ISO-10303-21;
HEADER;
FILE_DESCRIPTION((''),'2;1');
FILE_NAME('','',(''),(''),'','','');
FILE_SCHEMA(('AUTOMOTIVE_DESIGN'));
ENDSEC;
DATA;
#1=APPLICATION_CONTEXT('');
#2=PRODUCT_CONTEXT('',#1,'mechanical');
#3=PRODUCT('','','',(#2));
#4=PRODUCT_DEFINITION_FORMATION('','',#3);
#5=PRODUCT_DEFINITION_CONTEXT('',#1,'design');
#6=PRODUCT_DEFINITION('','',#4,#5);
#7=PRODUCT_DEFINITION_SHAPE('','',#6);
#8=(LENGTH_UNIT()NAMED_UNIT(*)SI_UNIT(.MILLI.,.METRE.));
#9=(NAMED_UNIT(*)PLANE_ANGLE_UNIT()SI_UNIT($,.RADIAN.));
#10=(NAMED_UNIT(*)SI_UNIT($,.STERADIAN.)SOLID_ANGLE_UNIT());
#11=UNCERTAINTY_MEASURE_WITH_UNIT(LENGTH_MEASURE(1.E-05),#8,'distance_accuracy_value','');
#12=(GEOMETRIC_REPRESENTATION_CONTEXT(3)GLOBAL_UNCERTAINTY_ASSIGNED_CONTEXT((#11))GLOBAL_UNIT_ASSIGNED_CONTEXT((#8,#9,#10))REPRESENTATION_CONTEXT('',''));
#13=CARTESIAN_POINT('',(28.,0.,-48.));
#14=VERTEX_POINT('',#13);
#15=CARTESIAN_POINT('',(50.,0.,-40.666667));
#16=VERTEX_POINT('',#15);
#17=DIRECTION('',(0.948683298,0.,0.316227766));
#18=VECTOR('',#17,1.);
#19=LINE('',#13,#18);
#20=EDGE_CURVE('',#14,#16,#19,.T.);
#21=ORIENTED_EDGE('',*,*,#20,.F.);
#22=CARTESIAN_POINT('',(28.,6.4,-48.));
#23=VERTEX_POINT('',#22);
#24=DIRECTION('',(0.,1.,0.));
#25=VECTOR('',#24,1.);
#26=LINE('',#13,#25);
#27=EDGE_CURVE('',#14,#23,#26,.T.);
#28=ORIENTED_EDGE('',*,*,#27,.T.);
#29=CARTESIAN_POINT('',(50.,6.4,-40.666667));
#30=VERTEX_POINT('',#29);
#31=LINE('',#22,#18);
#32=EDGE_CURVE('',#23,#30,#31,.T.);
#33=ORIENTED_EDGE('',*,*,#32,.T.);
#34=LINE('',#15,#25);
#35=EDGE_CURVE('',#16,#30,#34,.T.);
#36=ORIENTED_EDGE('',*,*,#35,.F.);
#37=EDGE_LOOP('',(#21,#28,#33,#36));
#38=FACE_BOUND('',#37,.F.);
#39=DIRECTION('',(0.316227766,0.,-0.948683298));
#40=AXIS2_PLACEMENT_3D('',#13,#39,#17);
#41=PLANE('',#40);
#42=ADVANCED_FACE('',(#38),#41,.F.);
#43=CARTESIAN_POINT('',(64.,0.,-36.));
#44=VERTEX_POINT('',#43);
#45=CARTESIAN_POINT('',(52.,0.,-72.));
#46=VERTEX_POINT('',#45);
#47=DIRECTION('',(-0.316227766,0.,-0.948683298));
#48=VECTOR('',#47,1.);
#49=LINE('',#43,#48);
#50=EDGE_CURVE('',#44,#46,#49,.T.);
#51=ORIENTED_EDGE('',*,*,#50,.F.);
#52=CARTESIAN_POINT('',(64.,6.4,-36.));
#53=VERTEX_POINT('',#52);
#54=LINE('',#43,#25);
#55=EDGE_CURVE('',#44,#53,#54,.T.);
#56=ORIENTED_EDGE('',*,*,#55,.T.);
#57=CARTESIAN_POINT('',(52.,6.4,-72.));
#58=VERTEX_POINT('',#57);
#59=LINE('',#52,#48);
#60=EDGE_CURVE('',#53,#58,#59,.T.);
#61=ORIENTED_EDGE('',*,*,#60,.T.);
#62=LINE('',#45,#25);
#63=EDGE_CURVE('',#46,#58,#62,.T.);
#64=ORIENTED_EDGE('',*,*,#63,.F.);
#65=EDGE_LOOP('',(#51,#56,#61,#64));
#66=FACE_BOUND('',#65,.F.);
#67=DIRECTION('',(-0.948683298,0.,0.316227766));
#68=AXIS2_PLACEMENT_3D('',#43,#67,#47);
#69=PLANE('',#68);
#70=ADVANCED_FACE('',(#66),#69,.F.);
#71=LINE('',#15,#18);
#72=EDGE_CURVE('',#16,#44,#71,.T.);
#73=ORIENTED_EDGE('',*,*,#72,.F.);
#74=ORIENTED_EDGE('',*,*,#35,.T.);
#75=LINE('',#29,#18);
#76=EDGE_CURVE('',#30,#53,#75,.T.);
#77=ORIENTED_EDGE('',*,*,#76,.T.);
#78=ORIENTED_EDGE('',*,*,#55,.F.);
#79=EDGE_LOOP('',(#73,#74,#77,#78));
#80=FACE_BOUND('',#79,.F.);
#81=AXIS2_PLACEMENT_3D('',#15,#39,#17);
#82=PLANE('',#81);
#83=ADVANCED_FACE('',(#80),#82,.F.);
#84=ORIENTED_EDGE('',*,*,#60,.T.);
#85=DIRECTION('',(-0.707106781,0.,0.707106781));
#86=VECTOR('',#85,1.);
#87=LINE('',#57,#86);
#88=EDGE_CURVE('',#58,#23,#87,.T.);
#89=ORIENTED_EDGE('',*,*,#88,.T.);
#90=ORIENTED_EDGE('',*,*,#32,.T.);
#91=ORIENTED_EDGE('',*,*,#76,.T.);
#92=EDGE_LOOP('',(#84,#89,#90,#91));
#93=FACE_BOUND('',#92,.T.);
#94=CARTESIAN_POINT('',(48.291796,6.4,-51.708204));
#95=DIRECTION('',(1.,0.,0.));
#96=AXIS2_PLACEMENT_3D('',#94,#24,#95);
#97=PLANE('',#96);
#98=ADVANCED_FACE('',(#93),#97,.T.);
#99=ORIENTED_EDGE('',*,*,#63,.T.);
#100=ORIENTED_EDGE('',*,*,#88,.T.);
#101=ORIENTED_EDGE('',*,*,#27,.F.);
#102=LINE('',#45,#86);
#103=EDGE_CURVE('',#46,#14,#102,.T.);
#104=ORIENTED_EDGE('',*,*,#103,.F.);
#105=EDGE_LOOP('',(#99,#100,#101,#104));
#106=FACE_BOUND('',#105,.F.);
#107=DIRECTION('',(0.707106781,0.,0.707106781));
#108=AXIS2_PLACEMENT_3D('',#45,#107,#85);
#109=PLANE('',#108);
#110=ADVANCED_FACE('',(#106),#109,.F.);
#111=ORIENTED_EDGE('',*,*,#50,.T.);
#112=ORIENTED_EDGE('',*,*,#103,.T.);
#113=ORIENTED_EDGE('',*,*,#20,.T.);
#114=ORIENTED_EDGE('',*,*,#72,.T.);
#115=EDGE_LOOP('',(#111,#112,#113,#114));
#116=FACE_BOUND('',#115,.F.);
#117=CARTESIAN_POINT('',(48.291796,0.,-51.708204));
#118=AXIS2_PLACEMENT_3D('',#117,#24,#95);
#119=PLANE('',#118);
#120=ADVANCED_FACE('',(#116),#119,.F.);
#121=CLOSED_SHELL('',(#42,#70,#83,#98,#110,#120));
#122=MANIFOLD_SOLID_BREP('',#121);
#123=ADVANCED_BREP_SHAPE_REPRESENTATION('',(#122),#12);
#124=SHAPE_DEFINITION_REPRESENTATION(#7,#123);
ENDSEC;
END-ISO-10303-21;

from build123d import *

# Parameters (mm, degrees)
EXTRUDE_E_DEPTH = 6.4


with BuildPart() as part:
    # puzzle plan_7 → Extrude E (new body)
    with BuildSketch(Plane(origin=(0, 0, 0), x_dir=(1, 0, 0), z_dir=(0, 1, 0))):
        Polygon((52, 72), (28, 48), (50, 40.666666667), (64, 36), align=None)
    extrude(amount=EXTRUDE_E_DEPTH)


solid = part.part
